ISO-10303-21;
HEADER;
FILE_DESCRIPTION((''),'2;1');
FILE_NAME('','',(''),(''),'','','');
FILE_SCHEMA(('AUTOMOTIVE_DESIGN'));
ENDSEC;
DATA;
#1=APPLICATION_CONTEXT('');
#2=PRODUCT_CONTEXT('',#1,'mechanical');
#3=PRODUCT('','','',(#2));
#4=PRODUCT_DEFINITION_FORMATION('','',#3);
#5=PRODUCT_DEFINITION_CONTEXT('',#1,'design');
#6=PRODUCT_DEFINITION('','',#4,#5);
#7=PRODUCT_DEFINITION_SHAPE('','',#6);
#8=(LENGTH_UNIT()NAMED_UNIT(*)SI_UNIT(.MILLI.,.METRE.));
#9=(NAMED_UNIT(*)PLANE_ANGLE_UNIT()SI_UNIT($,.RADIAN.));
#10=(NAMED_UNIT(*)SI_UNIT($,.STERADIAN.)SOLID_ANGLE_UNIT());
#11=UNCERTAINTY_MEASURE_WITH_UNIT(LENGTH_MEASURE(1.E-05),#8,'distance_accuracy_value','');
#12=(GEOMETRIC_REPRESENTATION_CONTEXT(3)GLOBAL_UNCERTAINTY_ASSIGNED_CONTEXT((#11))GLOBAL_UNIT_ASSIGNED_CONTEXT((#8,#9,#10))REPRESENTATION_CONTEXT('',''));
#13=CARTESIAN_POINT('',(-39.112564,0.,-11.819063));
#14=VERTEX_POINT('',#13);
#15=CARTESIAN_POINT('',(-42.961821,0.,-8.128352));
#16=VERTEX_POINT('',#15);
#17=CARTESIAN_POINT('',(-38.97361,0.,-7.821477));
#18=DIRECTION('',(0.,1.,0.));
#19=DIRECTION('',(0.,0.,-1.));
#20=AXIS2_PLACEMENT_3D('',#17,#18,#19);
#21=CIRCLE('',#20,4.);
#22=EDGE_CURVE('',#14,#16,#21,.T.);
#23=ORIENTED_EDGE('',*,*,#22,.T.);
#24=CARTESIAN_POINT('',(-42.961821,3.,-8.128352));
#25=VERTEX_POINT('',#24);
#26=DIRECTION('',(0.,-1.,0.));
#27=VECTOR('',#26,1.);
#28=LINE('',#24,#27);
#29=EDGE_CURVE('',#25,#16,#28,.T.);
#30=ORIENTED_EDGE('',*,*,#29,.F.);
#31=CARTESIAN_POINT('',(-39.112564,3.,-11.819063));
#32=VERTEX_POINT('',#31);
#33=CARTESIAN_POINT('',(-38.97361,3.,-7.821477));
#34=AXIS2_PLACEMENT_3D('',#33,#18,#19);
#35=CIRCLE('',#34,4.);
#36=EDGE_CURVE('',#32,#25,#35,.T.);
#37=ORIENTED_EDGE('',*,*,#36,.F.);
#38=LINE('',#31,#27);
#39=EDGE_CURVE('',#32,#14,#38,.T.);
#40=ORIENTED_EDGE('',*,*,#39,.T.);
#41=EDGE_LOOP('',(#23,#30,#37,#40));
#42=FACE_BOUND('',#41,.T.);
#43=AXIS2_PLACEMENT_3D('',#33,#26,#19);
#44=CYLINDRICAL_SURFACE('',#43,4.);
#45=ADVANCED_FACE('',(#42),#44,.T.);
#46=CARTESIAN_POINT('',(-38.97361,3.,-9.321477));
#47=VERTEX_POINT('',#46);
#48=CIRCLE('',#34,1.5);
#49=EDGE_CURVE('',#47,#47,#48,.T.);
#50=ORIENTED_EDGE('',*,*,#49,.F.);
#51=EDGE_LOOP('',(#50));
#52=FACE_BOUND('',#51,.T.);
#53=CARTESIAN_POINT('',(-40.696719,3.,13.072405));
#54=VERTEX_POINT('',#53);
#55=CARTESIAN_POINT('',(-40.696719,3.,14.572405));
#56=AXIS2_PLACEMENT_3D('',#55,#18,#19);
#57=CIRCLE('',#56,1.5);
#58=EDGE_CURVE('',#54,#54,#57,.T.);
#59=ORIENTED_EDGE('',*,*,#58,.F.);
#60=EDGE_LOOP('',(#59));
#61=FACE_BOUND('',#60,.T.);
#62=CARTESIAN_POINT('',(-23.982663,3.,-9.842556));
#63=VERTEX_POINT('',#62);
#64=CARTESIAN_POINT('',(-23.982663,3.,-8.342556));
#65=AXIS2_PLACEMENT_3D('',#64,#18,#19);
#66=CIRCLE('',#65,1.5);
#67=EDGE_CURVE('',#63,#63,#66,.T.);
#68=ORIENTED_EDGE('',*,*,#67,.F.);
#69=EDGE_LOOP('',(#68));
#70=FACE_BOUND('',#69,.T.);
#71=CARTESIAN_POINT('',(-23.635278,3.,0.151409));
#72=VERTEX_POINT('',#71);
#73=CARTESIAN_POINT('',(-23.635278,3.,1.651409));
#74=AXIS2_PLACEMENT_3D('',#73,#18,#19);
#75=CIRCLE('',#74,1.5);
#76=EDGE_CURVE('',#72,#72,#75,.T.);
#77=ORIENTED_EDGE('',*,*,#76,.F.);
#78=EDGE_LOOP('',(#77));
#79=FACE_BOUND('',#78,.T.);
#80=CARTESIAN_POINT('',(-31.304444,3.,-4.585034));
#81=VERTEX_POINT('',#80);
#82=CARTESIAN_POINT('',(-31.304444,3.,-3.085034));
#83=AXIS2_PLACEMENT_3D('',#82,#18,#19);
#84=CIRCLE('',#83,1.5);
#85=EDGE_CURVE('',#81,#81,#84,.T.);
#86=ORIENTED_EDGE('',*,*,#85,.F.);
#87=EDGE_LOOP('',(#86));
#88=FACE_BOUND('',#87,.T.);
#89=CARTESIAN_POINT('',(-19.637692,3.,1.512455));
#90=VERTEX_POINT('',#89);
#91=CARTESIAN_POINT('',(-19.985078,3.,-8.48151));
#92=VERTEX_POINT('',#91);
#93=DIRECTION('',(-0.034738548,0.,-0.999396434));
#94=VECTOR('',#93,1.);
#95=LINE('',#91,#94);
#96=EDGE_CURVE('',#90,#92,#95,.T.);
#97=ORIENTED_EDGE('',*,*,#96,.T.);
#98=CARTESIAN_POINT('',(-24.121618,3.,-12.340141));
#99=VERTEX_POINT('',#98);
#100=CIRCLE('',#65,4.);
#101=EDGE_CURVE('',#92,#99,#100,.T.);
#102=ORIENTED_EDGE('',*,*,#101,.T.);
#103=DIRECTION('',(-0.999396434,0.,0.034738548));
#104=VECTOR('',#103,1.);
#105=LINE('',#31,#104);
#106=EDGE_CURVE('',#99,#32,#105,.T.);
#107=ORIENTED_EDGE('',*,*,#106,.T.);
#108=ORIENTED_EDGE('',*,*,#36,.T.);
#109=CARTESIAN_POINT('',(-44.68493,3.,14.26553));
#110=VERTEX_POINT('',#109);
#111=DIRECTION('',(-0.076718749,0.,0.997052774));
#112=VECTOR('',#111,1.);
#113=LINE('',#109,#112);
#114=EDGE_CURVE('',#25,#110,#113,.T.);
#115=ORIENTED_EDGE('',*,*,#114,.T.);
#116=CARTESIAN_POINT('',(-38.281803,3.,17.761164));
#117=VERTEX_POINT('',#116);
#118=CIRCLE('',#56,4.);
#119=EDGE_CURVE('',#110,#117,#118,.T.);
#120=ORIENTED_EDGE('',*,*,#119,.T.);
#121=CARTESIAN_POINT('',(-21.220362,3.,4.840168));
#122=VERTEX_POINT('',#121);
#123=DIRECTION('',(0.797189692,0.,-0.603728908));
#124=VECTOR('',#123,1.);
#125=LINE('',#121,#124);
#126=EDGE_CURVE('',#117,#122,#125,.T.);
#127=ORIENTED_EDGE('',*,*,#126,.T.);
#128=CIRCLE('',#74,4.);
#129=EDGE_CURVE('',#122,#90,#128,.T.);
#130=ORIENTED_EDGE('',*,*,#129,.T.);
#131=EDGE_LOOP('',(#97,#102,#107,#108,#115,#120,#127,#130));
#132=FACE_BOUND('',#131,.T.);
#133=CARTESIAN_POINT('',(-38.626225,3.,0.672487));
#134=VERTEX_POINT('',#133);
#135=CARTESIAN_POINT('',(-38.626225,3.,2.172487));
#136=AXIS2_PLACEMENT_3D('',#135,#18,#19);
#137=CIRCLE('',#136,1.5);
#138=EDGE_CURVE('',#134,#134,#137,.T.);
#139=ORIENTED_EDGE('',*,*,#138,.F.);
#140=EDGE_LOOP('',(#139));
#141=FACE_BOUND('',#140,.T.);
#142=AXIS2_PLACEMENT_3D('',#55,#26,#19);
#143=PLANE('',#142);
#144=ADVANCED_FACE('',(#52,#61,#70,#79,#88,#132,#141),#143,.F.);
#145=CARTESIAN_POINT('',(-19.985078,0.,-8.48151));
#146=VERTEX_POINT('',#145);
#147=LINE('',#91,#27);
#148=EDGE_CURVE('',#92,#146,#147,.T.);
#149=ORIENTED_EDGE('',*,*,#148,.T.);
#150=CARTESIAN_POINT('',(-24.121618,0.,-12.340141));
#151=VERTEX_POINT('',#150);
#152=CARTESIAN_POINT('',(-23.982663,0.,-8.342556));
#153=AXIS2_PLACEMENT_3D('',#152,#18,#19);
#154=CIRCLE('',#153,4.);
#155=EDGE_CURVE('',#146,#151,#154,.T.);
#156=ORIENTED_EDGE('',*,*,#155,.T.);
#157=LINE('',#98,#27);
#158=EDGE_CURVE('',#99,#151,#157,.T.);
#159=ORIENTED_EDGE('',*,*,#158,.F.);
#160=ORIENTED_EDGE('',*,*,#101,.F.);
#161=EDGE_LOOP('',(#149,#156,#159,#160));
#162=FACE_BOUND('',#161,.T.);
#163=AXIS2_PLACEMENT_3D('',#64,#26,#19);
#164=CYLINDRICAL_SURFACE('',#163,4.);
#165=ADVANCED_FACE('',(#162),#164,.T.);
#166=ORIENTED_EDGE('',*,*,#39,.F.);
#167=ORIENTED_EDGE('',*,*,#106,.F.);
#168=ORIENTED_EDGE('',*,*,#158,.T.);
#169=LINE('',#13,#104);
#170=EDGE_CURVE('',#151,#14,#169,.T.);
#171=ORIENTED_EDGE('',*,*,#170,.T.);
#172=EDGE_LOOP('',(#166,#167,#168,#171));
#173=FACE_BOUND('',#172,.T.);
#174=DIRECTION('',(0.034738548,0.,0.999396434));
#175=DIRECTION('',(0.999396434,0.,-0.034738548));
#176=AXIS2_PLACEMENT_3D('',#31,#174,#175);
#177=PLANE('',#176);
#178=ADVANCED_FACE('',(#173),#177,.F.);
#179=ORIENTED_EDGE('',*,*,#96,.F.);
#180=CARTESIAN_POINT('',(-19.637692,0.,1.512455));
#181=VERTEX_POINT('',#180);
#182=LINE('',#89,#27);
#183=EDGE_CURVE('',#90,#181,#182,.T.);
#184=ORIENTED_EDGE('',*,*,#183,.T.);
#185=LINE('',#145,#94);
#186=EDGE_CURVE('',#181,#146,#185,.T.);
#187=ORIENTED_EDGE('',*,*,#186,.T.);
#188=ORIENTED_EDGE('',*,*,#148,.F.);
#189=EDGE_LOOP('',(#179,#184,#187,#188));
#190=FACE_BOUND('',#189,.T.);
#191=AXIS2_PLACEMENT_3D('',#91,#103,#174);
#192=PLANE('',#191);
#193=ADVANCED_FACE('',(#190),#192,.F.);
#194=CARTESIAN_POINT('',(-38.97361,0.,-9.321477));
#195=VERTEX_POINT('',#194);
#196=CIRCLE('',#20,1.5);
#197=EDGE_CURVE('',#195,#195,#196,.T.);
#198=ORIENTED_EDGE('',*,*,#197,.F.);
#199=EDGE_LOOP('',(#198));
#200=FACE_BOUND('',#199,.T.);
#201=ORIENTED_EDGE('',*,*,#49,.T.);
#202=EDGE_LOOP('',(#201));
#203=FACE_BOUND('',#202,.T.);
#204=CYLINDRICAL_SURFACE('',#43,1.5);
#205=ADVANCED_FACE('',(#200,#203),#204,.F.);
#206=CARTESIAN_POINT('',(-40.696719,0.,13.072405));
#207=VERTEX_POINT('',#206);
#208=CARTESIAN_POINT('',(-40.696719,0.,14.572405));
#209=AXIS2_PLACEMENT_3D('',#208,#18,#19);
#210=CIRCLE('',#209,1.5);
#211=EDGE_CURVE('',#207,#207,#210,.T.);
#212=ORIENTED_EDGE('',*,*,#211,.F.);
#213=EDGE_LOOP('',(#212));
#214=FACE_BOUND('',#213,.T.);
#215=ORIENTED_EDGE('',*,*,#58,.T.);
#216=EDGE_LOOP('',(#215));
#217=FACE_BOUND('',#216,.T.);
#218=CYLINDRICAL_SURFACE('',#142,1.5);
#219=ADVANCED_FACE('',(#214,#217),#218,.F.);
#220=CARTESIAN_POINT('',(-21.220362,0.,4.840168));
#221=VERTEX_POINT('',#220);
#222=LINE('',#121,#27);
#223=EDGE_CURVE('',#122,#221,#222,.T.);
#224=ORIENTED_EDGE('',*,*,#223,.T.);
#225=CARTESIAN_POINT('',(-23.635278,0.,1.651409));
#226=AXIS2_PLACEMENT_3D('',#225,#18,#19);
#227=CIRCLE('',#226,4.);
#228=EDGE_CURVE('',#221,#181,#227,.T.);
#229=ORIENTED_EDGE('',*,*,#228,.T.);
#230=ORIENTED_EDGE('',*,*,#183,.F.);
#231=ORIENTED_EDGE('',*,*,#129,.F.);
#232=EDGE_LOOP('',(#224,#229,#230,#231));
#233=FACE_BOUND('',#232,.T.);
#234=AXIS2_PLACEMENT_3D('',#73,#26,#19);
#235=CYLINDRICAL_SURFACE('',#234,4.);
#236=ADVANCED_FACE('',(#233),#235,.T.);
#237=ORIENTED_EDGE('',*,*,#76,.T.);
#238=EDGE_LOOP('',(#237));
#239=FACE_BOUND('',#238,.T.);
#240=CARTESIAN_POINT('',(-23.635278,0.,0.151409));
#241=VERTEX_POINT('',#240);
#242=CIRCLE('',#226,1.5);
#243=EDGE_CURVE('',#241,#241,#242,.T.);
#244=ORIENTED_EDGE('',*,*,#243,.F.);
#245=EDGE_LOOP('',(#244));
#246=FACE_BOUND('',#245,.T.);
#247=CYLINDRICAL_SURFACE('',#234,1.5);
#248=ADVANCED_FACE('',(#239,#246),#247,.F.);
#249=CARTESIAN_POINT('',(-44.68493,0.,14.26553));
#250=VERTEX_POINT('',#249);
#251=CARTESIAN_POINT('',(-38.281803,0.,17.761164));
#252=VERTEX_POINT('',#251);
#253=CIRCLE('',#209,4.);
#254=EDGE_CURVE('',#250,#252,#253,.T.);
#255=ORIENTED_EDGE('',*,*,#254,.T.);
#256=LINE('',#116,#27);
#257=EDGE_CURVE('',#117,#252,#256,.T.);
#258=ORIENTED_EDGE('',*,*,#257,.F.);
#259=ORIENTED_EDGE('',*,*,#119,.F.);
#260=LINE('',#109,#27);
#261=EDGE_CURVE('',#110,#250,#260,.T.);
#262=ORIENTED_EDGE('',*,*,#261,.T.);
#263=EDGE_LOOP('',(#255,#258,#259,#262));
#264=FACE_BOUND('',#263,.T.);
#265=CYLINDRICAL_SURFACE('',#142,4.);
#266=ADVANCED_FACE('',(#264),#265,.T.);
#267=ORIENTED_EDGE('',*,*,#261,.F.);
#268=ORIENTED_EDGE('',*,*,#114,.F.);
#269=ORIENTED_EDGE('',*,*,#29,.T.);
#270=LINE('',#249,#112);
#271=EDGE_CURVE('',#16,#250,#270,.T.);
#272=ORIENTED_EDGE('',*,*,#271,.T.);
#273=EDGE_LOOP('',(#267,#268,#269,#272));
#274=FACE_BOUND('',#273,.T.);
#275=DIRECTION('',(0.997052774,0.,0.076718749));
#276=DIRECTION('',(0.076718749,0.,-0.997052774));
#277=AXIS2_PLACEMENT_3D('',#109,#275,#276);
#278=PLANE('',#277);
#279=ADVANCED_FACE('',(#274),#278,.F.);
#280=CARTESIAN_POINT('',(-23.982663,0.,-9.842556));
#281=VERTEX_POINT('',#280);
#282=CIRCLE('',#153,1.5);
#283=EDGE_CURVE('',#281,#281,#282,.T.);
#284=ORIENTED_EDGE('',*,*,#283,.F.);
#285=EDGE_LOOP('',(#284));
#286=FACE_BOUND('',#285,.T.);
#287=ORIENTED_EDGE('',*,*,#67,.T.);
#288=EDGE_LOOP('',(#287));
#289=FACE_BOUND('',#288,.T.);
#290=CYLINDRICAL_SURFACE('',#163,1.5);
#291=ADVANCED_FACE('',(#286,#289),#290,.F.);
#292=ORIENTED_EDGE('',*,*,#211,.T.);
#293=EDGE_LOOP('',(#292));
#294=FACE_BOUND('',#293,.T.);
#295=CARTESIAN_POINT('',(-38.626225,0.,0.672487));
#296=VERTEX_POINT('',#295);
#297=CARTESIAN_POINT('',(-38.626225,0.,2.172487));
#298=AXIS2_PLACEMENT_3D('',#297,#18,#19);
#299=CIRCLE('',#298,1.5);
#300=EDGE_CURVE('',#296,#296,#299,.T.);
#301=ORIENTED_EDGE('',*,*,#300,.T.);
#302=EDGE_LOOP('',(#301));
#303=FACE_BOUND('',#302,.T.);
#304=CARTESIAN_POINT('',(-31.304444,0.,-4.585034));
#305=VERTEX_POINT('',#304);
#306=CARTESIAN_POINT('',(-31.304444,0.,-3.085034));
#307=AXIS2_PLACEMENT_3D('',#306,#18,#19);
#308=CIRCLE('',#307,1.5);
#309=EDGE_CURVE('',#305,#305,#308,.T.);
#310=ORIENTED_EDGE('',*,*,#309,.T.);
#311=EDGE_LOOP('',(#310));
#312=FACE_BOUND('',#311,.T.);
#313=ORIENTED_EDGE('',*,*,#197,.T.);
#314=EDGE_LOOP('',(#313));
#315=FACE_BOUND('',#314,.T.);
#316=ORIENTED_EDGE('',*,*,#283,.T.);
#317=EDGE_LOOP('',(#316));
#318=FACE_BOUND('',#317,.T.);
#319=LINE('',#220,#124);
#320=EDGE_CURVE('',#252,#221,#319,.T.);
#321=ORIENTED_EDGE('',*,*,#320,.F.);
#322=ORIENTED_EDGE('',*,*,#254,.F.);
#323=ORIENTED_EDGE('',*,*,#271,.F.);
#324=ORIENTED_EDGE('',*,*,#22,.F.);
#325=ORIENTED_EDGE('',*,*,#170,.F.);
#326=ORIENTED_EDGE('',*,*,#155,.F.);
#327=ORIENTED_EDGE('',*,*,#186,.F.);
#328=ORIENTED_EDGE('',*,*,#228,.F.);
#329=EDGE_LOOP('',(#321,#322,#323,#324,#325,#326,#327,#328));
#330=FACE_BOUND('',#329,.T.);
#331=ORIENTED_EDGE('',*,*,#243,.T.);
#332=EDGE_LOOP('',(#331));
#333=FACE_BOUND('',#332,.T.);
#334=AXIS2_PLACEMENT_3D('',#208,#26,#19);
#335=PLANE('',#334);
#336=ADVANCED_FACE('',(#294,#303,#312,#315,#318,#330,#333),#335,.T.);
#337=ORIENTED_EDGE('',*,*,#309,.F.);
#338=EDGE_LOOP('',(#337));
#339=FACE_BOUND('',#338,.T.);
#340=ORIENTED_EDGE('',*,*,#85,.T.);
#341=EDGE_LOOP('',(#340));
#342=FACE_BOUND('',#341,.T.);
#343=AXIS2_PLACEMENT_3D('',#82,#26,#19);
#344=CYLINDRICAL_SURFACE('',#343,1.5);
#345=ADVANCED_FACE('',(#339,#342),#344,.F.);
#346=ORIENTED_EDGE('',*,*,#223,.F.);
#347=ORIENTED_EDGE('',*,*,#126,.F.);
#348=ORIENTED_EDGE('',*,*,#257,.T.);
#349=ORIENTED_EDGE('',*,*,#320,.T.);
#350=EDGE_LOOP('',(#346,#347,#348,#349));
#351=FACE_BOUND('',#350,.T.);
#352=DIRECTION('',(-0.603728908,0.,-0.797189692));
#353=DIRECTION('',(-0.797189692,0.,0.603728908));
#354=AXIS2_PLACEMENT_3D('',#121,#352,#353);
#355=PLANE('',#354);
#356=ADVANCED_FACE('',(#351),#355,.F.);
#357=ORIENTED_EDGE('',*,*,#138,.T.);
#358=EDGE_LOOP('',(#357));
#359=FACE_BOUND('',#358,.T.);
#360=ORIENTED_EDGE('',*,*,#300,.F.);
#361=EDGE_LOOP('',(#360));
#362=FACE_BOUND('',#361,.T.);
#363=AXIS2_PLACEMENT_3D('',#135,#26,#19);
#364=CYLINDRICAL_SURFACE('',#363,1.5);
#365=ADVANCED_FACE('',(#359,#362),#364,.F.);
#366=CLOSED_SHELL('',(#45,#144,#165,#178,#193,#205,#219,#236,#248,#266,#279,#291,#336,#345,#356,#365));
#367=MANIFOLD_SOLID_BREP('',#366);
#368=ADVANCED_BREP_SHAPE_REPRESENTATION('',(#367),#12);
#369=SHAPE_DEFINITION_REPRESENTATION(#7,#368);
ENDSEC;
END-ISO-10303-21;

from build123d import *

# Parameters (mm, degrees)
SKETCH1_R           = 1.5
BOSS_EXTRUDE1_DEPTH = 3


with BuildPart() as part:
    # Sketch1 → Boss-Extrude1 (new body)
    with BuildSketch(Plane(origin=(0, 0, 0), x_dir=(1, 0, 0), z_dir=(0, 1, 0))):
        with BuildLine():
            Line((-21.220362367, -4.8401676), (-38.281803408, -17.761164033))
            ThreePointArc((-38.281803408, -17.761164033), (-42.613403289, -18.083291405), (-44.684930136, -14.265530269))
            Line((-44.684930136, -14.265530269), (-42.961821092, 8.128352288))
            ThreePointArc((-42.961821092, 8.128352288), (-41.741950615, 10.708740743), (-39.11256419, 11.819063031))
            Line((-39.11256419, 11.819063031), (-24.121617673, 12.340141252))
            ThreePointArc((-24.121617673, 12.340141252), (-21.254198948, 11.26753095), (-19.985077742, 8.481509707))
            Line((-19.985077742, 8.481509707), (-19.637692261, -1.512454638))
            ThreePointArc((-19.637692261, -1.512454638), (-20.023012527, -3.36941295), (-21.220362367, -4.8401676))
        make_face()
        with Locations((-23.635277999, -1.65140883)):
            Circle(SKETCH1_R, mode=Mode.SUBTRACT)
        with Locations((-31.304443998, 3.085034231)):
            Circle(SKETCH1_R, mode=Mode.SUBTRACT)
        with Locations((-23.98266348, 8.342555514)):
            Circle(SKETCH1_R, mode=Mode.SUBTRACT)
        with Locations((-38.973609998, 7.821477293)):
            Circle(SKETCH1_R, mode=Mode.SUBTRACT)
        with Locations((-38.626224517, -2.172487052)):
            Circle(SKETCH1_R, mode=Mode.SUBTRACT)
        with Locations((-40.696719041, -14.572405264)):
            Circle(SKETCH1_R, mode=Mode.SUBTRACT)
    extrude(amount=BOSS_EXTRUDE1_DEPTH)


solid = part.part
